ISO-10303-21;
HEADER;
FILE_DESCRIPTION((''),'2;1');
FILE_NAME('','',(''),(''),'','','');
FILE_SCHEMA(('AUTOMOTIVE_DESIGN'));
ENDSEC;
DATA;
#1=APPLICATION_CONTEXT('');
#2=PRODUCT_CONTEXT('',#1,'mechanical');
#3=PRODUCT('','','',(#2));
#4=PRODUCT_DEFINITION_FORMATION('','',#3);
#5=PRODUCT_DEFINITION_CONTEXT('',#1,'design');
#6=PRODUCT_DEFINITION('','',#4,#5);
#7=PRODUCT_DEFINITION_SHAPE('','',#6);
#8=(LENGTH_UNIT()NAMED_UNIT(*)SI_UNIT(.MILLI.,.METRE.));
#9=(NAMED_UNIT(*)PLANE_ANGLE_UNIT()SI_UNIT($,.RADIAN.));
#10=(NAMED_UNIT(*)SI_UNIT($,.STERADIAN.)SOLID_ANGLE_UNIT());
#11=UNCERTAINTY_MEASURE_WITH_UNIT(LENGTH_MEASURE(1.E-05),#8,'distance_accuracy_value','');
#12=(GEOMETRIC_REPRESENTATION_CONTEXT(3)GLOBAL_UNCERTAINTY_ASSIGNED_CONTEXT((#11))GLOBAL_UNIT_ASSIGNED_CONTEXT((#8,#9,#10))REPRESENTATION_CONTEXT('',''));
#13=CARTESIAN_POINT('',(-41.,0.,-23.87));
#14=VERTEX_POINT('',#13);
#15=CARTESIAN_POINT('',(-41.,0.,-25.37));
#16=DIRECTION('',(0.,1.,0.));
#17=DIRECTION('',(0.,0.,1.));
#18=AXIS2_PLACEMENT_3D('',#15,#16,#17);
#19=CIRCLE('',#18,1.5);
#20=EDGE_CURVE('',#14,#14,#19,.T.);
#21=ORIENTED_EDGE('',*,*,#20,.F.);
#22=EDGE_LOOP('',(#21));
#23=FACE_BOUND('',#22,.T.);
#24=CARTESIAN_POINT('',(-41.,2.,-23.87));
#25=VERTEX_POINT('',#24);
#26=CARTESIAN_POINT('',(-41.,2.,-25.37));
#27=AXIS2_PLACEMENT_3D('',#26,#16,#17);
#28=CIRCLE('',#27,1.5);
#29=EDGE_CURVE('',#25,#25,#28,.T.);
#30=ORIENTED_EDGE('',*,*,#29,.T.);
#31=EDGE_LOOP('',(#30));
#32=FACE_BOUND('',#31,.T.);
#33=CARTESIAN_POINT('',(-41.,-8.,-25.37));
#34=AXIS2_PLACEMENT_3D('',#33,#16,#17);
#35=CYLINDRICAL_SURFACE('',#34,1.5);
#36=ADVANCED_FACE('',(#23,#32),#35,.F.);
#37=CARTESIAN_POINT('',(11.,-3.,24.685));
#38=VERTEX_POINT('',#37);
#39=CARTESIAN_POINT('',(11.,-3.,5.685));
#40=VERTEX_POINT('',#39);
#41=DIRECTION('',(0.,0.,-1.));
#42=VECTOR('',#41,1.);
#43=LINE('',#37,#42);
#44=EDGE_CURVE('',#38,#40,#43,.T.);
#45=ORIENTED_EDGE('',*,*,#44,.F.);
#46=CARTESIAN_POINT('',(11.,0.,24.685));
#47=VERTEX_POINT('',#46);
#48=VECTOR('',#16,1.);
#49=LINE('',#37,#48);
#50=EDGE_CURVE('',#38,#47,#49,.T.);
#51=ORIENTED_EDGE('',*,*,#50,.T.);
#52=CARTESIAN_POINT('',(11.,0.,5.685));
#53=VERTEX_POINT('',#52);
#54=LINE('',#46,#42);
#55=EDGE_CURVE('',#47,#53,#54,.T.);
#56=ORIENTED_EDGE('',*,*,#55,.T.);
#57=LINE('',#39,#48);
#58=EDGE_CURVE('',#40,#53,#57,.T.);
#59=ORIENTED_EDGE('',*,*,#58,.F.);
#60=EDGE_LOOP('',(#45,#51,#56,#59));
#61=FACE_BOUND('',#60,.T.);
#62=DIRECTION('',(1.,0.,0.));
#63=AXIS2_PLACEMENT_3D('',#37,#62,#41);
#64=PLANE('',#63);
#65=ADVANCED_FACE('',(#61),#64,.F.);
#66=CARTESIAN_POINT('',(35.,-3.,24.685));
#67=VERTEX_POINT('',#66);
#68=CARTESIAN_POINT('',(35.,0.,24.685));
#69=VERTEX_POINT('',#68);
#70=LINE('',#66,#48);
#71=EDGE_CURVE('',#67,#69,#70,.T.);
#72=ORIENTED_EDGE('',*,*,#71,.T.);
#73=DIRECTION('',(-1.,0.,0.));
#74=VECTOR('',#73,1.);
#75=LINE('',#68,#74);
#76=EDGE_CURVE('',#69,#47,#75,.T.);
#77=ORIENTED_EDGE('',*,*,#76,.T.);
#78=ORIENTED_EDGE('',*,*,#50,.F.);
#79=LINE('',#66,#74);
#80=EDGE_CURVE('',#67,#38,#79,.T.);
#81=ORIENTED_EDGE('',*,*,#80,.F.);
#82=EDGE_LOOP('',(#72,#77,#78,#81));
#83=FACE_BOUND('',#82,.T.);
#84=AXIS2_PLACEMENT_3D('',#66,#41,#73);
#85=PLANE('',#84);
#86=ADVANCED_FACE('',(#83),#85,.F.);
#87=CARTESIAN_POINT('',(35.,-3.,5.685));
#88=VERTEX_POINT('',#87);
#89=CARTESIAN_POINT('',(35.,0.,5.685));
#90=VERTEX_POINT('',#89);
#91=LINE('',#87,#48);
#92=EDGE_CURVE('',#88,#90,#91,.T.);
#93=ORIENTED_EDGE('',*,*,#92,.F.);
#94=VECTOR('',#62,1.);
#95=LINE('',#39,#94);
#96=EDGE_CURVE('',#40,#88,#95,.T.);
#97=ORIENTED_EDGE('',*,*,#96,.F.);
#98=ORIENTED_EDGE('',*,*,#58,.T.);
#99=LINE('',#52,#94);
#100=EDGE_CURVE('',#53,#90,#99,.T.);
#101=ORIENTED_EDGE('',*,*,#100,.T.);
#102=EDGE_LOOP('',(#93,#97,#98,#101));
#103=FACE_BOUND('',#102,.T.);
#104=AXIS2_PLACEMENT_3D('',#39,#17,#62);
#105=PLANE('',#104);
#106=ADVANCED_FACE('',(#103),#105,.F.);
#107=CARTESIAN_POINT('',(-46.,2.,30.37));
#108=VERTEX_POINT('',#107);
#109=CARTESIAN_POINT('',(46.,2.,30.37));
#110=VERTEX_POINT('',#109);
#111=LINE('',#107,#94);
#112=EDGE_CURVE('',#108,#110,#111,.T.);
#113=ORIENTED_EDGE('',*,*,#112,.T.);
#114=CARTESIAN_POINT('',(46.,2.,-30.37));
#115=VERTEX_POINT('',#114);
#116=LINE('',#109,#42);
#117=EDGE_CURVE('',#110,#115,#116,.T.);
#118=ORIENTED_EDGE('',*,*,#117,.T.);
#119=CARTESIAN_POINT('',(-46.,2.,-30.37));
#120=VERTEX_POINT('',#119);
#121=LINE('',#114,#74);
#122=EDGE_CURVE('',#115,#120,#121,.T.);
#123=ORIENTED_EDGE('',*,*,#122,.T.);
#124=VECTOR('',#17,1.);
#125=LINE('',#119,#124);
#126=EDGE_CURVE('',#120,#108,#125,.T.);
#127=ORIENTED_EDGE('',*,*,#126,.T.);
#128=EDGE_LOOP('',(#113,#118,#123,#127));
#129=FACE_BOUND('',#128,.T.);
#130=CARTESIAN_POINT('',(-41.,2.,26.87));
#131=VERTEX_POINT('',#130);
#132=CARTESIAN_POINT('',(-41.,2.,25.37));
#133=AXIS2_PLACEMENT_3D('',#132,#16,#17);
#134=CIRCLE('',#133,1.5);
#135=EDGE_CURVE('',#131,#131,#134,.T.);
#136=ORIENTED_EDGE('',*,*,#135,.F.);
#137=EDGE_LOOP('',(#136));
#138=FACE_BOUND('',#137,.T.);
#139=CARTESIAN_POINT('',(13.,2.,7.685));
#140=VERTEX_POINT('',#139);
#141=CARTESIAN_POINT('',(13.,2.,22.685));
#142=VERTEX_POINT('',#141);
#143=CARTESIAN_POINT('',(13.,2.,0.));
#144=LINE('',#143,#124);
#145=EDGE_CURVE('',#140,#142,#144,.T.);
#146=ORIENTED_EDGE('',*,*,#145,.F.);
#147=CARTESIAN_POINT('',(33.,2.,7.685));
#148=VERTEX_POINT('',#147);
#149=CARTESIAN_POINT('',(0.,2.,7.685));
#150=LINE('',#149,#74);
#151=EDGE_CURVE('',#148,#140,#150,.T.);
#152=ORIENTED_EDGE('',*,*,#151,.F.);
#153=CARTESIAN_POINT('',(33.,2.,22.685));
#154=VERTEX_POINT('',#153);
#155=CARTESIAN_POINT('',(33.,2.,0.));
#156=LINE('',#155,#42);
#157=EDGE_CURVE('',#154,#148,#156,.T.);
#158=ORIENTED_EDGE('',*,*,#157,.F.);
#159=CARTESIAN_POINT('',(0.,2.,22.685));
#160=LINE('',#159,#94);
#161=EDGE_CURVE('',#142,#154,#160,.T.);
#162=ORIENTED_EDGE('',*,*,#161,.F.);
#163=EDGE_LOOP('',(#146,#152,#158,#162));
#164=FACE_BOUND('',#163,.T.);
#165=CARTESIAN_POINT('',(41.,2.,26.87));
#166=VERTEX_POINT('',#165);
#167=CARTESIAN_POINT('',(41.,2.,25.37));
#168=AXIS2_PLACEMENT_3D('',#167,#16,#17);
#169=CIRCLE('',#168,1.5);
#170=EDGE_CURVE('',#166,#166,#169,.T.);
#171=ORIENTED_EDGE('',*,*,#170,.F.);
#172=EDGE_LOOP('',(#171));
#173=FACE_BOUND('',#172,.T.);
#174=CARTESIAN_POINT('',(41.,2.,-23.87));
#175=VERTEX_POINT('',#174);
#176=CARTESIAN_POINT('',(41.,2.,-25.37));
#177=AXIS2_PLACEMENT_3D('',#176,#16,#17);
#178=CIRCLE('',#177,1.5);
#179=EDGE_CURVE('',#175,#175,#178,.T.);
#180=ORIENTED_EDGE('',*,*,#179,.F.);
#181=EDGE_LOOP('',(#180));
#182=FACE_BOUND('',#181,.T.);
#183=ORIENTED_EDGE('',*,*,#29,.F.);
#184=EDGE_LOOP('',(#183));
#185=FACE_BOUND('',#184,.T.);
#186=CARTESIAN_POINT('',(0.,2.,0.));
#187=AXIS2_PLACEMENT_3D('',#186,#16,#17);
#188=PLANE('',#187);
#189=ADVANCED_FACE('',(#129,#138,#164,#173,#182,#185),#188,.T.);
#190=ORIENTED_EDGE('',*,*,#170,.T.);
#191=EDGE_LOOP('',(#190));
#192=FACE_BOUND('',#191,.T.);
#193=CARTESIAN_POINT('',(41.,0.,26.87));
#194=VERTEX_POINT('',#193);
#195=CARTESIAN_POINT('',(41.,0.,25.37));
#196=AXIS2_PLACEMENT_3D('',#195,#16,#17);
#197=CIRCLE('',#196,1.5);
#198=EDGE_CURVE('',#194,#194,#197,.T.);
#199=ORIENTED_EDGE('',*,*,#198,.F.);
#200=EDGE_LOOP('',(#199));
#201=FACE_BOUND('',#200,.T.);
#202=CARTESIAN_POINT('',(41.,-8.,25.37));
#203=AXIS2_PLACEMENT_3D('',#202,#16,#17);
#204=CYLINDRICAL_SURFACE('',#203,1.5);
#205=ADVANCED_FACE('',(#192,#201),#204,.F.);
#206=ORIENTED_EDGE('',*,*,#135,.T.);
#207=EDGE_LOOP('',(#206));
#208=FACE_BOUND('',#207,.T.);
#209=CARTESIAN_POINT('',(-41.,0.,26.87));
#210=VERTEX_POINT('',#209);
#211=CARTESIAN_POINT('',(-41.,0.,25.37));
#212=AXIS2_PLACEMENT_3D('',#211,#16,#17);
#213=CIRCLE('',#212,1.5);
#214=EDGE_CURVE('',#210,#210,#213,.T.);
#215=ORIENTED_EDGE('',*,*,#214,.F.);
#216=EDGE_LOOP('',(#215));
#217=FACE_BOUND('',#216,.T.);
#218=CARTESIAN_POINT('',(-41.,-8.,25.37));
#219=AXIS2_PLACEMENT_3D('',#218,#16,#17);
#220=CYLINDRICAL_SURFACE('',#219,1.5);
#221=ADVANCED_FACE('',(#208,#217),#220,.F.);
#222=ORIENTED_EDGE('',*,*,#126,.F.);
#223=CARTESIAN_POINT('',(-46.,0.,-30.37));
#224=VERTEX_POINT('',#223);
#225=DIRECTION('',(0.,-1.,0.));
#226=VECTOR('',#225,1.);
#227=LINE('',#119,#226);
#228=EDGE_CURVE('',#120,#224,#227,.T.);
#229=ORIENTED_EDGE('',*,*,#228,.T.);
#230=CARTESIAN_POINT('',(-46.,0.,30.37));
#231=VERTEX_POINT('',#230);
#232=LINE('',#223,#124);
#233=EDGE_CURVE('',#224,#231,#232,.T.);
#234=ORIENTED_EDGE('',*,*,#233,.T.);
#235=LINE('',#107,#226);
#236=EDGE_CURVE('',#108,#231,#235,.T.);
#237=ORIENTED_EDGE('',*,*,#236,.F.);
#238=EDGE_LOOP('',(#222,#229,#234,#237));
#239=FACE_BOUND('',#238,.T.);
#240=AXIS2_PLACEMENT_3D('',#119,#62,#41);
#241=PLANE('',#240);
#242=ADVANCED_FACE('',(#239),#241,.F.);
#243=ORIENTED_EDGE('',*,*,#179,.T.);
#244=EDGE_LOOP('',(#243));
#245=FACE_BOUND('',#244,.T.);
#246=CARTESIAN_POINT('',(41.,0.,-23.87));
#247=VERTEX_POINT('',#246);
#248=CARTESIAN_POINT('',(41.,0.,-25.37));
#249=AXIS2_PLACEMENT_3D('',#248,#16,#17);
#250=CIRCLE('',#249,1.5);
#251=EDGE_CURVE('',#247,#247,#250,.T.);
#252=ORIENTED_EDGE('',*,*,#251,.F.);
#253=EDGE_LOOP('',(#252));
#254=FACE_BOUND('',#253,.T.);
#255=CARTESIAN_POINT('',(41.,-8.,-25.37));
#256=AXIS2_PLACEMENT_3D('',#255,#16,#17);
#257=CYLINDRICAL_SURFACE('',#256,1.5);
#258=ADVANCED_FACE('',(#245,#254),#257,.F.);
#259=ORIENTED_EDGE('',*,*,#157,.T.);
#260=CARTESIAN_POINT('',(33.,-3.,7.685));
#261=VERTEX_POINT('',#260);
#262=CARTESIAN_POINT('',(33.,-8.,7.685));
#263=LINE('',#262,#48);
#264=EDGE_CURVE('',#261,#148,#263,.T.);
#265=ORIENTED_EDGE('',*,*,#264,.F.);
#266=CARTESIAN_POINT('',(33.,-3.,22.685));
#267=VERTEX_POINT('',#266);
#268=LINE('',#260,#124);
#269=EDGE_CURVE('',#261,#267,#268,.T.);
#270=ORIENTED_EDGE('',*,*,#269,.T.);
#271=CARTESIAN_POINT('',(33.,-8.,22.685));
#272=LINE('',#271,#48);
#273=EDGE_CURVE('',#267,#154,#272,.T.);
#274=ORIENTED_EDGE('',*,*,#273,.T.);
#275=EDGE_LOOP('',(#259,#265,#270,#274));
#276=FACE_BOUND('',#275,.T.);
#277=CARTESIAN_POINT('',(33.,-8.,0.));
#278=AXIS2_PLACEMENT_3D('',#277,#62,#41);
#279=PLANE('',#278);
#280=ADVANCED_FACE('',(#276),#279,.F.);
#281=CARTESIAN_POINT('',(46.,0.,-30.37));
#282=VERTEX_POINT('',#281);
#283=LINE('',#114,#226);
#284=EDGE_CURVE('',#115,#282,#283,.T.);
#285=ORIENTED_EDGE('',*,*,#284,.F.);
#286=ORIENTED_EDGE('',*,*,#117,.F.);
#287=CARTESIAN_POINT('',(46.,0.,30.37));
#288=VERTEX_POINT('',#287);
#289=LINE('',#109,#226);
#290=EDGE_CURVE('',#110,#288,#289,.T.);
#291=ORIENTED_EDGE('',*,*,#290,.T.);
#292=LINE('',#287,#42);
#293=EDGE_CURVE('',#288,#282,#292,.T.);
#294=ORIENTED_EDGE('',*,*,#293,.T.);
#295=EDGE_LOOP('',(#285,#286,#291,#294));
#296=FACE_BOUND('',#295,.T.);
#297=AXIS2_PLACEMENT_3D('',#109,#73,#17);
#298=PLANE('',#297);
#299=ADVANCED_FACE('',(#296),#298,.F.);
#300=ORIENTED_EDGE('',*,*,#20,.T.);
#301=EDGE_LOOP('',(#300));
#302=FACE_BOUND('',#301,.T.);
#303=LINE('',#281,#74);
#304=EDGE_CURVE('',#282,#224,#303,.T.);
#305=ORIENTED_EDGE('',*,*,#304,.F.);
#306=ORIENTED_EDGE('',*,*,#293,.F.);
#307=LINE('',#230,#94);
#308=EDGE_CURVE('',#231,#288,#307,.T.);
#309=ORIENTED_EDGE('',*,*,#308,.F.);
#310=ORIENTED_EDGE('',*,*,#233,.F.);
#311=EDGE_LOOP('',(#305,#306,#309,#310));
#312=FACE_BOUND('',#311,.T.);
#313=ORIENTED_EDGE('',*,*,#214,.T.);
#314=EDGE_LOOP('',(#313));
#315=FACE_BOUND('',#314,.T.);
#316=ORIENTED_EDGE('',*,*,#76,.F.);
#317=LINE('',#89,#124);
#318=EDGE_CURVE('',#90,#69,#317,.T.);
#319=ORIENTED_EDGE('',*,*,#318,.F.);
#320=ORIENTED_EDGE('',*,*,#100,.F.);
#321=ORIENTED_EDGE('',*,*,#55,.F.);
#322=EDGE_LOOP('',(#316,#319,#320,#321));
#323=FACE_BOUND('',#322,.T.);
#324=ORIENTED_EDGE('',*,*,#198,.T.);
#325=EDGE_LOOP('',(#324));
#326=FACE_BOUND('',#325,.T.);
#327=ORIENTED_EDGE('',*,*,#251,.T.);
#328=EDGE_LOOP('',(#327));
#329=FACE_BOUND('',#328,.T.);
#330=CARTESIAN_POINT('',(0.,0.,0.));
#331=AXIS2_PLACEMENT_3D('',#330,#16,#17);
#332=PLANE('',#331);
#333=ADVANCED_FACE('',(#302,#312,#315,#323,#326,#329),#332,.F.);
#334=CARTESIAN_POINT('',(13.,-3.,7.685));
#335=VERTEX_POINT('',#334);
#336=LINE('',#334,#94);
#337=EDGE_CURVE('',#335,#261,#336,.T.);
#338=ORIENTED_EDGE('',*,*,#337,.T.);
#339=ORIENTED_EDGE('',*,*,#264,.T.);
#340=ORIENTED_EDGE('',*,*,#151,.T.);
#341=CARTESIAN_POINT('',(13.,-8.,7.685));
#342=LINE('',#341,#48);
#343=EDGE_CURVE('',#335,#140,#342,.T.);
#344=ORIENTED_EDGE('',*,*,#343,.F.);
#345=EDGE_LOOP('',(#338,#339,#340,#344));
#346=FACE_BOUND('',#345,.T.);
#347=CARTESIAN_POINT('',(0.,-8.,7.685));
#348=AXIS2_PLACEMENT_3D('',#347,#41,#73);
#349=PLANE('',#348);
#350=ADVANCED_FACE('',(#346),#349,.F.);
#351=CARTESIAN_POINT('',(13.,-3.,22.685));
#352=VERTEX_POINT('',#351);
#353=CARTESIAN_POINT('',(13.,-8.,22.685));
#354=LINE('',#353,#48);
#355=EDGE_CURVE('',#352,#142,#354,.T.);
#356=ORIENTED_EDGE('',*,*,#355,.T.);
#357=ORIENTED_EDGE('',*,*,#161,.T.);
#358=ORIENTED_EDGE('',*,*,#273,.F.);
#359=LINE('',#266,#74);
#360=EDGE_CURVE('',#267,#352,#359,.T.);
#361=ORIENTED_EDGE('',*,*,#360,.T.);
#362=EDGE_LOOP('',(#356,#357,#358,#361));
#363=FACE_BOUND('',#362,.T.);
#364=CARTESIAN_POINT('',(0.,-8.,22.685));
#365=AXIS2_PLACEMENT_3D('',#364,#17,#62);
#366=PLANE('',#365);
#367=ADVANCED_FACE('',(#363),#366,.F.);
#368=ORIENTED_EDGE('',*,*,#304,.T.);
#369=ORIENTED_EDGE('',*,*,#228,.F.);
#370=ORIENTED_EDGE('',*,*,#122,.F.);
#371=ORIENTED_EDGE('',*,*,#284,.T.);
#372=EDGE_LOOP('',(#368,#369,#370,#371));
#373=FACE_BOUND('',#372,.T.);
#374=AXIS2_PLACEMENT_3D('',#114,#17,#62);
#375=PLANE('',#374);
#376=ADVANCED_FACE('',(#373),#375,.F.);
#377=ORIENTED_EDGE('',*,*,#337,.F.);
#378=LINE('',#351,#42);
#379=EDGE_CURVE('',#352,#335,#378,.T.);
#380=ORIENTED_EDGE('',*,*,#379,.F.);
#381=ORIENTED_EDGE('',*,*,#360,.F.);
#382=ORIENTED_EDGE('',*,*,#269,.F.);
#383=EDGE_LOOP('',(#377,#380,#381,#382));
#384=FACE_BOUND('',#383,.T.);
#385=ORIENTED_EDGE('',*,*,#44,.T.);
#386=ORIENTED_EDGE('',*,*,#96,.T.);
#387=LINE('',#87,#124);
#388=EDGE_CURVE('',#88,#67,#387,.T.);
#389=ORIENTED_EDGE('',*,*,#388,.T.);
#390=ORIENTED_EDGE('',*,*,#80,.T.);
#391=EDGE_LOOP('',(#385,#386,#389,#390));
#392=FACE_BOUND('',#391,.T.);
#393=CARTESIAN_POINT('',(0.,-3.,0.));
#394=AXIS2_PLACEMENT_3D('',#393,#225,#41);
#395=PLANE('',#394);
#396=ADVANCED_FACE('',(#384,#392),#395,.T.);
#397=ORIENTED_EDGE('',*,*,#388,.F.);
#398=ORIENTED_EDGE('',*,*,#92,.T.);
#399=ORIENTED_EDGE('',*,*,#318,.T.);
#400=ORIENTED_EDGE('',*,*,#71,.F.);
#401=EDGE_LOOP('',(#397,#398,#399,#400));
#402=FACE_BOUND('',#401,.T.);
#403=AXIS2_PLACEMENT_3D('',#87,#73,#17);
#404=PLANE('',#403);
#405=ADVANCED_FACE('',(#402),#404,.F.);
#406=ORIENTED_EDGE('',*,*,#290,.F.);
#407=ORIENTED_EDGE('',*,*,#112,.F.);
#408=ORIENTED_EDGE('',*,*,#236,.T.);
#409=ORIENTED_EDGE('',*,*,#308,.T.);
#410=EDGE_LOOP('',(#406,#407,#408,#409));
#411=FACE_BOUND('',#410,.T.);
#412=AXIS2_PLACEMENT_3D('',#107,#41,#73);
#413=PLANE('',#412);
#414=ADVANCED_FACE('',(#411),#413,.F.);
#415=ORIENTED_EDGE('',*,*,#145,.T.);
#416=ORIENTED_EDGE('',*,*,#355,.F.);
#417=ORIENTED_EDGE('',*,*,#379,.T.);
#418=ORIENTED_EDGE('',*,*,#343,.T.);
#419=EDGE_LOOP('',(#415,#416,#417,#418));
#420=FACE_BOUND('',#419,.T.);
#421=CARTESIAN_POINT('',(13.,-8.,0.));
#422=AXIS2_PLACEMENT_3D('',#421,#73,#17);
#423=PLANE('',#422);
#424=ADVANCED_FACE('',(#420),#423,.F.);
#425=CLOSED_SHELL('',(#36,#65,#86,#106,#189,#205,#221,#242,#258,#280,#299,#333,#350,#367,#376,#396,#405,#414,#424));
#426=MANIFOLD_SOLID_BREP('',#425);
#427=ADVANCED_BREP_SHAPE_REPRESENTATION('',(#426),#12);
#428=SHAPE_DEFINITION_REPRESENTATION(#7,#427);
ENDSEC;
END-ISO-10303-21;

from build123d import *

# Parameters (mm, degrees)
SKETCH_1_W          = 92
SKETCH_1_H          = 60.74
EXTRUDE_1_DEPTH     = 2
SKETCH_2_R          = 1.5
CUT_EXTRUDE_1_DEPTH = 10
SKETCH_3_W          = 20
SKETCH_3_H          = 15
CUT_EXTRUDE_2_DEPTH = 10
SKETCH_4_W          = 24
SKETCH_4_H          = 19
SKETCH_4_W_2        = 20
SKETCH_4_H_2        = 15
EXTRUDE_2_DEPTH     = 3


with BuildPart() as part:
    # Эскиз1 → Бобышка-Вытянуть1 (new body)
    with BuildSketch(Plane(origin=(0, 0, 0), x_dir=(1, 0, 0), z_dir=(0, 1, 0))):
        Rectangle(SKETCH_1_W, SKETCH_1_H)
    extrude(amount=EXTRUDE_1_DEPTH)

    # Эскиз2 → Вырез-Вытянуть1 (cut)
    with BuildSketch(Plane(origin=(0, 2, 0), x_dir=(1, 0, 0), z_dir=(0, 1, 0))):
        with Locations((-41, 25.37)):
            Circle(SKETCH_2_R)
        with Locations((41, 25.37)):
            Circle(SKETCH_2_R)
        with Locations((41, -25.37)):
            Circle(SKETCH_2_R)
        with Locations((-41, -25.37)):
            Circle(SKETCH_2_R)
    extrude(amount=-CUT_EXTRUDE_1_DEPTH, mode=Mode.SUBTRACT)

    # Эскиз3 → Вырез-Вытянуть2 (cut)
    with BuildSketch(Plane(origin=(0, 2, 0), x_dir=(1, 0, 0), z_dir=(0, 1, 0))):
        with Locations((23, -15.185)):
            Rectangle(SKETCH_3_W, SKETCH_3_H)
    extrude(amount=-CUT_EXTRUDE_2_DEPTH, mode=Mode.SUBTRACT)

    # Эскиз4 → Бобышка-Вытянуть2 (add)
    with BuildSketch(Plane.XZ):
        with Locations((23, 15.185)):
            Rectangle(SKETCH_4_W, SKETCH_4_H)
        with Locations((23, 15.185)):
            Rectangle(SKETCH_4_W_2, SKETCH_4_H_2, mode=Mode.SUBTRACT)
    extrude(amount=EXTRUDE_2_DEPTH)


solid = part.part
